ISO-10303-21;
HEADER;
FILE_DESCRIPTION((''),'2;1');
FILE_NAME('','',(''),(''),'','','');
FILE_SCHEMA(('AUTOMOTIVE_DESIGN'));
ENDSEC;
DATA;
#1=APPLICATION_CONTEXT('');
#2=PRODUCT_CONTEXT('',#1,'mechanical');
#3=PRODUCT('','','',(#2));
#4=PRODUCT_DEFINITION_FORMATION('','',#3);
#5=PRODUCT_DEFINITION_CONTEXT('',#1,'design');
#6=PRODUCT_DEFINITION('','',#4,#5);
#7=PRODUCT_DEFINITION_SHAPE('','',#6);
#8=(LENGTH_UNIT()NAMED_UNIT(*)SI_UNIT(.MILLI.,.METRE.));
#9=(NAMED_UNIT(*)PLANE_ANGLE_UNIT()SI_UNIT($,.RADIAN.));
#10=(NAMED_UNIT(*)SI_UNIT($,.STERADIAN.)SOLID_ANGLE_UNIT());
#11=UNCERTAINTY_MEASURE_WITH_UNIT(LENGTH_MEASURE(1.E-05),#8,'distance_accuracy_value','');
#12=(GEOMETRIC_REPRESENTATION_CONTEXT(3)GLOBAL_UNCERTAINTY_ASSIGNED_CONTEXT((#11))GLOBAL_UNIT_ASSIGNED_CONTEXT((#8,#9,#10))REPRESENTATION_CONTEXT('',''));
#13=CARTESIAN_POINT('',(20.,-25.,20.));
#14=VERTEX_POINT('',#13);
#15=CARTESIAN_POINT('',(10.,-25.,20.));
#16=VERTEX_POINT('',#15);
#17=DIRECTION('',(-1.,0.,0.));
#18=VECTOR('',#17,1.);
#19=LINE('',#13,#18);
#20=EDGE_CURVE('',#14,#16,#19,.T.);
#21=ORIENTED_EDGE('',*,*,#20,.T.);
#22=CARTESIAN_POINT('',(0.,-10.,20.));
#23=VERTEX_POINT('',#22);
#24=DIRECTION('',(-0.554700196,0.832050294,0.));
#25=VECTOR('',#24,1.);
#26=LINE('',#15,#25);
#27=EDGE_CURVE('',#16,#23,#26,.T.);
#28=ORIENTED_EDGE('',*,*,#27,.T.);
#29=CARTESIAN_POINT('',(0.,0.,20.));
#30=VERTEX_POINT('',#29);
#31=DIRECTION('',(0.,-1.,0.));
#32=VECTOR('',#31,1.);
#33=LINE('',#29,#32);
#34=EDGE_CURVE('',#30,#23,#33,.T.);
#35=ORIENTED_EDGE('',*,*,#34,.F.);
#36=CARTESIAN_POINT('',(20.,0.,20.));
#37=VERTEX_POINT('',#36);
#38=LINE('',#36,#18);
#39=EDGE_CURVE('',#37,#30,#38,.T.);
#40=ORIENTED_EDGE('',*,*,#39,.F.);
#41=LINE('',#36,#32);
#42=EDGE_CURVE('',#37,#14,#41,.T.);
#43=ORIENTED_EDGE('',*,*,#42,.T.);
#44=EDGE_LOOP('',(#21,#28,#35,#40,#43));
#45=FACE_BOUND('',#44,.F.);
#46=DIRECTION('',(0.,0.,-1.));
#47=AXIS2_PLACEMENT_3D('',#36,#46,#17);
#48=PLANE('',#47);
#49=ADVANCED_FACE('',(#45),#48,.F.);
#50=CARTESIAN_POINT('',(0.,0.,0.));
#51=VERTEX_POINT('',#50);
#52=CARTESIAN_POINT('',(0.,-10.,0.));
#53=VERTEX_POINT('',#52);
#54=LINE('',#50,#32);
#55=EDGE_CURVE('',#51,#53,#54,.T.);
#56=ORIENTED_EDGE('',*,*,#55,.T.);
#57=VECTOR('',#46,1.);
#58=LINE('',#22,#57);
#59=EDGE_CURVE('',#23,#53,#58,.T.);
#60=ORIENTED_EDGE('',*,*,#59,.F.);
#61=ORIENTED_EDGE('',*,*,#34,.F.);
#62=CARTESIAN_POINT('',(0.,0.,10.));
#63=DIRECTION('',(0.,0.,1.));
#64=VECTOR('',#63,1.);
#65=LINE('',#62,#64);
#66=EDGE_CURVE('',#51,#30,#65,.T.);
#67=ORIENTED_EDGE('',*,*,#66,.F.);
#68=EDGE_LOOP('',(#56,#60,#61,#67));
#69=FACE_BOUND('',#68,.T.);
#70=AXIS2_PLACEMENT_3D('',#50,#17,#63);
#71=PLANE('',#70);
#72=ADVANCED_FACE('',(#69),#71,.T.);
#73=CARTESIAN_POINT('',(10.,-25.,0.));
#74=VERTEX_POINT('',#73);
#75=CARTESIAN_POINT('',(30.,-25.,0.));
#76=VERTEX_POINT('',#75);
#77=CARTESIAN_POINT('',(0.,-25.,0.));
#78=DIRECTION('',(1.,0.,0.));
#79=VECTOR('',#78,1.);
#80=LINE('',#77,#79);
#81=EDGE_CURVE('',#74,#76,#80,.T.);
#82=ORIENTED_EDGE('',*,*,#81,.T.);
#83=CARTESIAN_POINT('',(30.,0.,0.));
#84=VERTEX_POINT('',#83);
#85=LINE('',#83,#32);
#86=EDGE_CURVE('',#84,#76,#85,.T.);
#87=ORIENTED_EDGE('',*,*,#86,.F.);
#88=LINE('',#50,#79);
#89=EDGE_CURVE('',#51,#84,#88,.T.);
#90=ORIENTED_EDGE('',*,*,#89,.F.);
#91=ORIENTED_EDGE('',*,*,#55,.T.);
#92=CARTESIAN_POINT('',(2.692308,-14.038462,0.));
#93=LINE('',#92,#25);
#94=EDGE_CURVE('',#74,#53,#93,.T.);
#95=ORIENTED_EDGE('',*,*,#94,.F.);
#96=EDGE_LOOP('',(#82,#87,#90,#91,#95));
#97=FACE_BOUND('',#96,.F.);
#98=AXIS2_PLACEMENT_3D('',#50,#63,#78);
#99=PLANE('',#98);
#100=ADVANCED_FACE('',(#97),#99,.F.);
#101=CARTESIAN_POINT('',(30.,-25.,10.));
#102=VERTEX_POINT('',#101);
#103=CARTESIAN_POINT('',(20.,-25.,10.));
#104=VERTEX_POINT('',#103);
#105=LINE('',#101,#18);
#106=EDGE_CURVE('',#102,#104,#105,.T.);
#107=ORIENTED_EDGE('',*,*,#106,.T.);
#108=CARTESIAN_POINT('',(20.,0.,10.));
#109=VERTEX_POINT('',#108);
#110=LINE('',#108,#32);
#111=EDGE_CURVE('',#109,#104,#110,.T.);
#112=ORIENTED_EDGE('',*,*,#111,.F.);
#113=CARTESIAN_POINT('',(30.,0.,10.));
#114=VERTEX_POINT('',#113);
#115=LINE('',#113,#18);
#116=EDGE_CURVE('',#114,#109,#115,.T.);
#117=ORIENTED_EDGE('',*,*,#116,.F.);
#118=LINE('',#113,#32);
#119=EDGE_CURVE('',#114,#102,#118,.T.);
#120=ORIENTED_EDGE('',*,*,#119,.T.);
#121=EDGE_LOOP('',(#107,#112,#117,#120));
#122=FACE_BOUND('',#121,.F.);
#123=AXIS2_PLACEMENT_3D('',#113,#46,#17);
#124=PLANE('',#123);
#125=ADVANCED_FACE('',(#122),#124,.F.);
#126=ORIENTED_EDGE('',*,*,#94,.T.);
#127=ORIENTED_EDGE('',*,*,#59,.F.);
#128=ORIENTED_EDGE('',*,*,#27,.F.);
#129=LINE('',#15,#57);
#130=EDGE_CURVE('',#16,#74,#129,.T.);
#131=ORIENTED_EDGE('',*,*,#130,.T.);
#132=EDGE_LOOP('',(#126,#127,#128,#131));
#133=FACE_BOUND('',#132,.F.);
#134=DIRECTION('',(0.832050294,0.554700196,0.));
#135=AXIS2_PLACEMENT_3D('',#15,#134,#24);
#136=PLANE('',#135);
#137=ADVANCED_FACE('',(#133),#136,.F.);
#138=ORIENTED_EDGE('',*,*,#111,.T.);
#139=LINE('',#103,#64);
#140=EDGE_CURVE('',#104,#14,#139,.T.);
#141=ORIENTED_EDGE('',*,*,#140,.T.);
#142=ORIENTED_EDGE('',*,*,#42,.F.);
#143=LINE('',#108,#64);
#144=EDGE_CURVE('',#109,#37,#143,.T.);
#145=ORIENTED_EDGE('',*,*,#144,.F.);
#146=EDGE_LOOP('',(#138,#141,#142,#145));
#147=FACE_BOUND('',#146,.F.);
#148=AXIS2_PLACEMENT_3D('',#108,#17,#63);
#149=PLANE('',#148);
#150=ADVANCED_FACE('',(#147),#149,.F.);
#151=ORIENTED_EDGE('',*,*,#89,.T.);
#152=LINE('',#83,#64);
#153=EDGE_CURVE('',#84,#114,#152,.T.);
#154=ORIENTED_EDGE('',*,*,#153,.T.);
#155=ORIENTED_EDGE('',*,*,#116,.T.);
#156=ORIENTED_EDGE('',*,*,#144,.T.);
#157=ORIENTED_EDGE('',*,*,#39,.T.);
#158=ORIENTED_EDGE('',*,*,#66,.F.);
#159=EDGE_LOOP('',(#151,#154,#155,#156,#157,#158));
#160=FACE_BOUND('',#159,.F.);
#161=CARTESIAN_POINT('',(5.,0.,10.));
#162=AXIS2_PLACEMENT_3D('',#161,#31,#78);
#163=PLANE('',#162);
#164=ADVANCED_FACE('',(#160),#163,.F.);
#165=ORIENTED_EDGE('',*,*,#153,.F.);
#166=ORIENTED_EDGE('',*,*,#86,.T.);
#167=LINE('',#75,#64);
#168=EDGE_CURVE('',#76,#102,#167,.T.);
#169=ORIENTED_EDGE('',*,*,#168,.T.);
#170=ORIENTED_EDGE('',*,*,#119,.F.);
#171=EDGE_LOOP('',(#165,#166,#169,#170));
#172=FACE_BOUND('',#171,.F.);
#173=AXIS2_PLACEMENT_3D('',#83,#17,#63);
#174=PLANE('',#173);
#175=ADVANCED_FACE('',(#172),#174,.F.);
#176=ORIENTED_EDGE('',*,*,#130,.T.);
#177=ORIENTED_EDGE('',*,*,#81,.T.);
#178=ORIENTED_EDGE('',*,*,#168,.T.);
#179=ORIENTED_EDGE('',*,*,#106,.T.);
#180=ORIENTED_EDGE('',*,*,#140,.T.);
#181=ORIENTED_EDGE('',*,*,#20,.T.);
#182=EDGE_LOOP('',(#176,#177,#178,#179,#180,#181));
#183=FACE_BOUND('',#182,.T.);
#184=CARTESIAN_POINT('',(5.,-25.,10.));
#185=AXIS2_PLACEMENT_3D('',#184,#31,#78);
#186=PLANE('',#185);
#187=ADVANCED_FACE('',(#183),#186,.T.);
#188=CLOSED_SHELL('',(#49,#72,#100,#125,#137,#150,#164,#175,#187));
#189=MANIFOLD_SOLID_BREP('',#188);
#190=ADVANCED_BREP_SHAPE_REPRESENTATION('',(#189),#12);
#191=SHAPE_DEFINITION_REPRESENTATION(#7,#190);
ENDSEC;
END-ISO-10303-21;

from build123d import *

# Parameters (mm, degrees)
F0_W     = 10
F0_H     = 20
F1_DEPTH = 25
F3_DEPTH = 20.001


with BuildPart() as f1:
    # F0 (on Front) → F1 (new body)
    with BuildSketch(Plane.XZ):
        with Locations((5, 10)):
            Rectangle(F0_W, F0_H)
        Polygon((10, 20), (10, 0), (30, 0), (30, 10), (20, 10), (20, 20), align=None)
    extrude(amount=F1_DEPTH)

    # F2 (on face) → F3 (cut, through all)
    with BuildSketch(Plane.XY.offset(20)):
        Polygon((10, -25), (0, -10), (0, -25), align=None)
    extrude(amount=-F3_DEPTH, mode=Mode.SUBTRACT)


solid = f1.part
